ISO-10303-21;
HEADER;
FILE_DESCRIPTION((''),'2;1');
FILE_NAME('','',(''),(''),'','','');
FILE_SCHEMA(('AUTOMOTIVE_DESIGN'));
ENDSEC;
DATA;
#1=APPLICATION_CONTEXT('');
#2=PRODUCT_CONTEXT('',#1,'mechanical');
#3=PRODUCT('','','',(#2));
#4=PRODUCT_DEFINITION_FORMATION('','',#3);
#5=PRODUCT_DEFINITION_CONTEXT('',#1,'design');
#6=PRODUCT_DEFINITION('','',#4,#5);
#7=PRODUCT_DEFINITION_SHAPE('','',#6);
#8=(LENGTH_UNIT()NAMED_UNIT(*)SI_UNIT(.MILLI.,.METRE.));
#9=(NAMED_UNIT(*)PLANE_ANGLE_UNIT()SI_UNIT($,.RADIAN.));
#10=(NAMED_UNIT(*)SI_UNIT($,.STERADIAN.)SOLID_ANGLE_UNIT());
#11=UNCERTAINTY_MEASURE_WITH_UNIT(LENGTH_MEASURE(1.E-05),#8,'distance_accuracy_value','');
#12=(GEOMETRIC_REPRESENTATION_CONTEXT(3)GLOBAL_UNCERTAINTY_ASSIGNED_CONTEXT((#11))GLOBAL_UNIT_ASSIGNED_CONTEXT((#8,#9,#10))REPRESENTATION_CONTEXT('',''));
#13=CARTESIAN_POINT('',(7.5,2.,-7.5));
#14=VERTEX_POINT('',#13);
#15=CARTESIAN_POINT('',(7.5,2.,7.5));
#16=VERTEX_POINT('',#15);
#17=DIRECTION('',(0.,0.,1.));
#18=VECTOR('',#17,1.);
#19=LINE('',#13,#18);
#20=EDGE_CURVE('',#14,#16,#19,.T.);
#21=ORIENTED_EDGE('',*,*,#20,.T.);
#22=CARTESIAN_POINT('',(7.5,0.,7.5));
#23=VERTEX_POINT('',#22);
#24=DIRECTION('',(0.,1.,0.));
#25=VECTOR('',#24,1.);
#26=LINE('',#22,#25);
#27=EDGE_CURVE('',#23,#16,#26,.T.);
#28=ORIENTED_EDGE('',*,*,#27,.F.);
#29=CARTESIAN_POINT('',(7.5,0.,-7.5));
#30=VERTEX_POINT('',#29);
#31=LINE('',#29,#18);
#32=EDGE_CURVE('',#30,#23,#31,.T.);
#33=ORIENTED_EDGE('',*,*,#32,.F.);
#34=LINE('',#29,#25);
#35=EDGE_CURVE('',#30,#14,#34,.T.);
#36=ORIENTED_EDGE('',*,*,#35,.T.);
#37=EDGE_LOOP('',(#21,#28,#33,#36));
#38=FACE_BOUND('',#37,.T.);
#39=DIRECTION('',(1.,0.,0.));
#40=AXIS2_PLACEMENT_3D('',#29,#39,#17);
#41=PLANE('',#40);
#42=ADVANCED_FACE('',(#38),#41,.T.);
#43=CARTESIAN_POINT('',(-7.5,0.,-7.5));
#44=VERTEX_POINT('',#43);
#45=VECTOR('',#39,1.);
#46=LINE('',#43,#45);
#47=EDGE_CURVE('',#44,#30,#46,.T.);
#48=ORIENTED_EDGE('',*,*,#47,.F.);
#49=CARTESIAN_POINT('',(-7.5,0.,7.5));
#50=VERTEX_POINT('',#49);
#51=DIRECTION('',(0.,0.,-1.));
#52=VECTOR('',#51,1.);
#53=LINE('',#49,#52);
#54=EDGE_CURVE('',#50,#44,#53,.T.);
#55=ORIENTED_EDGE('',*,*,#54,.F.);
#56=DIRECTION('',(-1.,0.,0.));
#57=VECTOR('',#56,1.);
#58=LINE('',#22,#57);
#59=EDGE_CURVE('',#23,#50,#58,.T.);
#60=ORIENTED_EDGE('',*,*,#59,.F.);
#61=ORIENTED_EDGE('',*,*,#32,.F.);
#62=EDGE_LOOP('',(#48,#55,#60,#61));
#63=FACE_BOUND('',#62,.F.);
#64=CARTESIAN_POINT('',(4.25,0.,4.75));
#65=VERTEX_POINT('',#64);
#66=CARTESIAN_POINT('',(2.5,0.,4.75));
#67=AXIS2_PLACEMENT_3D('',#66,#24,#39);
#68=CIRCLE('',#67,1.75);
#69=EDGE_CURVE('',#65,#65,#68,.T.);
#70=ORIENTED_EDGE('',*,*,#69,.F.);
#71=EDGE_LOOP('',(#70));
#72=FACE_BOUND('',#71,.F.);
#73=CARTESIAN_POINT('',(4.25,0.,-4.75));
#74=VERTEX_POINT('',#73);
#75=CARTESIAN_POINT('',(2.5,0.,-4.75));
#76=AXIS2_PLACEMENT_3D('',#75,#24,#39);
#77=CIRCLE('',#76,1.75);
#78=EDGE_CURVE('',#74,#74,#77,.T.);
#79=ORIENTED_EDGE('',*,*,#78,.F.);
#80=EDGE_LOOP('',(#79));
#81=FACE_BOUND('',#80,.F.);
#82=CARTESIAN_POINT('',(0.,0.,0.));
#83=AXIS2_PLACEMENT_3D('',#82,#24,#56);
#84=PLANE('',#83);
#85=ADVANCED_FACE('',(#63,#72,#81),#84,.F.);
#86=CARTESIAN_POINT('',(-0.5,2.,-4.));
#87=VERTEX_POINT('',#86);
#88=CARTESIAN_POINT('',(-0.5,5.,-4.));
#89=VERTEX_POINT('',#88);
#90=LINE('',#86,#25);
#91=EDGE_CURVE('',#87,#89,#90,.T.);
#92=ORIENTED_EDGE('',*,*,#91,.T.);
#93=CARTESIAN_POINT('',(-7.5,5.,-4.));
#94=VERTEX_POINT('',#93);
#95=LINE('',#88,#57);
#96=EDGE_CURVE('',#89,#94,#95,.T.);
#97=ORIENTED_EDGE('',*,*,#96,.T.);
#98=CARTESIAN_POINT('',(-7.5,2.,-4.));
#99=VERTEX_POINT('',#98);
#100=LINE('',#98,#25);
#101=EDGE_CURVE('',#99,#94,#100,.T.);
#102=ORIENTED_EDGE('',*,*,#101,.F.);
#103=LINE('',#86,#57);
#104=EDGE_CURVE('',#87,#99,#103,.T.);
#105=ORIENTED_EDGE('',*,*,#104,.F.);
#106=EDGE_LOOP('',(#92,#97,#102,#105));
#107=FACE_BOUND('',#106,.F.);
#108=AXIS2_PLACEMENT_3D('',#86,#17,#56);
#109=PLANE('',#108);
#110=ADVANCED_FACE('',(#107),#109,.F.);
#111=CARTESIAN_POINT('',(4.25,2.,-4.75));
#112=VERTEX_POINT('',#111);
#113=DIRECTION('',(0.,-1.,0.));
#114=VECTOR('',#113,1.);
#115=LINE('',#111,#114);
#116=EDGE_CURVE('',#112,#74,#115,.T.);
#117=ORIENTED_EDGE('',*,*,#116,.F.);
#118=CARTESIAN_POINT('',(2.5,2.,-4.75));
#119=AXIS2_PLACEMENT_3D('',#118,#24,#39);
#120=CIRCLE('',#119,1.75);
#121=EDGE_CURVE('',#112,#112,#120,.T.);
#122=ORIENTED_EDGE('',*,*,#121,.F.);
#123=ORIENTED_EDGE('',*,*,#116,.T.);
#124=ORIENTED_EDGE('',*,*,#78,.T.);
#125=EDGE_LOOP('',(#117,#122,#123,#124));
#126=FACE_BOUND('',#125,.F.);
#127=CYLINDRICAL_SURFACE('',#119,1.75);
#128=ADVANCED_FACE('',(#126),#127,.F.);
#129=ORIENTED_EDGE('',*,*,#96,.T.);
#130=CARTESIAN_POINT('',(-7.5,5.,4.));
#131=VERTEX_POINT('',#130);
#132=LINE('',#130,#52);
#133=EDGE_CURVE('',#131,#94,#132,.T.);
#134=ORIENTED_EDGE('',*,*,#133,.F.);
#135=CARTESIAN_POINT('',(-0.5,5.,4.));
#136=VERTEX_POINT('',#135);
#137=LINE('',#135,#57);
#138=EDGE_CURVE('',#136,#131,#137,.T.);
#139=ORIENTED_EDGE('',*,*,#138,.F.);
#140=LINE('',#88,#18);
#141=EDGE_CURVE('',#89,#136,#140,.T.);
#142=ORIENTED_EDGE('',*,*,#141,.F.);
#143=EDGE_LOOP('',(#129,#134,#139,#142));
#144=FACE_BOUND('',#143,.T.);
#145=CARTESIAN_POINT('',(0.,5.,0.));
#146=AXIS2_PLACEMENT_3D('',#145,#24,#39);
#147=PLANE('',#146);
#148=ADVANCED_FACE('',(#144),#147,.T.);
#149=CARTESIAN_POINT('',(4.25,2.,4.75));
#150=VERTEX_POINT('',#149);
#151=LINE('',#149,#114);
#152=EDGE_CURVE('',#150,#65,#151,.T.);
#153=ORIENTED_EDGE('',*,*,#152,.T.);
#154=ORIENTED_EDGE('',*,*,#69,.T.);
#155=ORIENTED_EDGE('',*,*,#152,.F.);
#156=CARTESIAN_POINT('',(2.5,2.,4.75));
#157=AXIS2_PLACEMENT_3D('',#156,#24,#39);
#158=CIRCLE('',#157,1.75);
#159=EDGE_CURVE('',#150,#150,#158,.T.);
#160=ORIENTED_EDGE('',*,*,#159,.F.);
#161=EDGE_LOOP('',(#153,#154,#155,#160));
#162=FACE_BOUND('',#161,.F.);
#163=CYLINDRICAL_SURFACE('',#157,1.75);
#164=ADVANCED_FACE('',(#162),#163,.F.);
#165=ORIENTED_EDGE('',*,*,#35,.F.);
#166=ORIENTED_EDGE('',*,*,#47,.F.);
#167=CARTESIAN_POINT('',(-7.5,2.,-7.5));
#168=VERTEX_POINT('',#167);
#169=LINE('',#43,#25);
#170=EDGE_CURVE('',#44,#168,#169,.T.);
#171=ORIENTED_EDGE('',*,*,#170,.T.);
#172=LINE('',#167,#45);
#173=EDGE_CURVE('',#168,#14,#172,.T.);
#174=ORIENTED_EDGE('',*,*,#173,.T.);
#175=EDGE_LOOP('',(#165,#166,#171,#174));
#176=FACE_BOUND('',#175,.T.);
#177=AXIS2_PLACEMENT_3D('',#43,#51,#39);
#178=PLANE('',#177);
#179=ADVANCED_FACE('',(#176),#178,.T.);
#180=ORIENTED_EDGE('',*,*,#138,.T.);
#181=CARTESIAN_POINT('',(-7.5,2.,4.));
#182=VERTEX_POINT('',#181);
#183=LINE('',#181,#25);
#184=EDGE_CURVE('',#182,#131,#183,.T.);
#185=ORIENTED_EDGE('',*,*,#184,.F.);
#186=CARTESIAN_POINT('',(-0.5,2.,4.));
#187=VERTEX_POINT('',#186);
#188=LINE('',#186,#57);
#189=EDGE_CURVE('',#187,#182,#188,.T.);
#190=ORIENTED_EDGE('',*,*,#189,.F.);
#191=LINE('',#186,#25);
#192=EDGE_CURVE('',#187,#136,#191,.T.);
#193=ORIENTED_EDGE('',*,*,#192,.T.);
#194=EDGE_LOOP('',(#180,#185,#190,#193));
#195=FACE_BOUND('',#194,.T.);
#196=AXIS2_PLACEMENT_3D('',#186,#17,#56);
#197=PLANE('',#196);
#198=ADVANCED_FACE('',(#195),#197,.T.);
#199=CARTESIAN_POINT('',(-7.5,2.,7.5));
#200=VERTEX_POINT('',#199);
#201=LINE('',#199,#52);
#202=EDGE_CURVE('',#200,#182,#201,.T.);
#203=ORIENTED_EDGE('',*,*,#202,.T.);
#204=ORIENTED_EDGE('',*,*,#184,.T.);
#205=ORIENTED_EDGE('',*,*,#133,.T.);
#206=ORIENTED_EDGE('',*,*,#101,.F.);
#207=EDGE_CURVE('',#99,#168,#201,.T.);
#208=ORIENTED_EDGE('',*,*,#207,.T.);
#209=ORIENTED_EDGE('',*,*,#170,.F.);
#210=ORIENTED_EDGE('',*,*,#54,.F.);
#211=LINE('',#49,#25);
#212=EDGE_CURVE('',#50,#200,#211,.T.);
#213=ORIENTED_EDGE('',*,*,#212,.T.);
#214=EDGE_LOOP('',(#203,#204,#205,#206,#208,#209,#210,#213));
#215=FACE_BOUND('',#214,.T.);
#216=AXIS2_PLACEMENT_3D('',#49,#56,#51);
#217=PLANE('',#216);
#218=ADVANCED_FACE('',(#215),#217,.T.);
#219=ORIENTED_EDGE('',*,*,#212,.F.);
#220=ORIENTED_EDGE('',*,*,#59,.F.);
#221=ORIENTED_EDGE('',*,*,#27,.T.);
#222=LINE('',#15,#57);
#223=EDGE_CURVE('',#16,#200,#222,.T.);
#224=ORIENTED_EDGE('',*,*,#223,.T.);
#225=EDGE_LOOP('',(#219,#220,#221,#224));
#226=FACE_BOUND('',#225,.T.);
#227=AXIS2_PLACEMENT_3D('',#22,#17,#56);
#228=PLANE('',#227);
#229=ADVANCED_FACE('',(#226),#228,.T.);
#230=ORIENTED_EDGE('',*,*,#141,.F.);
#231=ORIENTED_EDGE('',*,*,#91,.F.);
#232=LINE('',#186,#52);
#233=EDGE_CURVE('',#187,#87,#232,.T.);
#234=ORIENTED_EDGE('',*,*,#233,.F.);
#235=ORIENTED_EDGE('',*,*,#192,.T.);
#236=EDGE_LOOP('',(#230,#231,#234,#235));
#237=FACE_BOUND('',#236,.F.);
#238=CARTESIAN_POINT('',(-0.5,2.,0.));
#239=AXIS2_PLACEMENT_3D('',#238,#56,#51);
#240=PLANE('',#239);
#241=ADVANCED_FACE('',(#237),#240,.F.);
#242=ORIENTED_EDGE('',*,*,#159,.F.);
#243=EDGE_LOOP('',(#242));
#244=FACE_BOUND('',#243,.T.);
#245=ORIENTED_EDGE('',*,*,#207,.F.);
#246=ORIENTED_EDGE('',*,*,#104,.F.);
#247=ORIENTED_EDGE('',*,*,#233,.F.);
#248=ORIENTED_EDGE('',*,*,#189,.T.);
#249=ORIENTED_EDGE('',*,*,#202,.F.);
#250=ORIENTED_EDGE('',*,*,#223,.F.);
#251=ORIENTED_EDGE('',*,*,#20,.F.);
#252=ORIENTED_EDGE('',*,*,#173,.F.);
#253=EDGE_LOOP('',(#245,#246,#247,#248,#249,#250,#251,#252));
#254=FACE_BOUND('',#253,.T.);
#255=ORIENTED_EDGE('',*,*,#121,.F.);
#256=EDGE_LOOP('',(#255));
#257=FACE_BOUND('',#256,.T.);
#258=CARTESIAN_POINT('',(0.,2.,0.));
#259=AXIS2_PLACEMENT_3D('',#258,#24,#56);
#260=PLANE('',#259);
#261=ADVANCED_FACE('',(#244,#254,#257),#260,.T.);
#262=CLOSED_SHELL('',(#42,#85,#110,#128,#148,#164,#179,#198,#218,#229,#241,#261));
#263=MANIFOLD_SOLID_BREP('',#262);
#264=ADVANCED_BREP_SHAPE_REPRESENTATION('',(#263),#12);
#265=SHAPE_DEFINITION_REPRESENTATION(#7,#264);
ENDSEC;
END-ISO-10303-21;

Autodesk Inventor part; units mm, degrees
ref_plane "YZ Plane" through (0, 0, 0) normal (1, 0, 0) x (0, 1, 0)
ref_plane "XZ Plane" through (0, 0, 0) normal (0, 1, 0) x (-1, 0, 0)
ref_plane "XY Plane" through (0, 0, 0) normal (0, 0, 1) x (1, 0, 0)
sketch "Sketch1" plane through (0, 0, 0) normal (0, 1, 0) x (-1, 0, 0)
  line L0 (-7.5, 7.5) -> (7.5, 7.5)
  line L1 (7.5, 7.5) -> (7.5, -7.5)
  line L2 (7.5, -7.5) -> (-7.5, -7.5)
  line L3 (-7.5, -7.5) -> (-7.5, 7.5)
  line L4 (-7.5, 7.5) -> (7.5, -7.5) construction
  line L5 (7.5, 7.5) -> (-7.5, -7.5) construction
  point P0 (0, 0)
  dimension "d0" = 15
  dimension "d1" = 15
extrude "Extrusion1" add sketch "Sketch1" along normal blind 2
sketch "Sketch2" plane through (0, 2, 0) normal (0, 1, 0) x (1, 0, 0)
  line L0 (7.5, 7.5) -> (-7.5, 7.5) construction
  line L1 (-7.5, 7.5) -> (-7.5, -7.5) construction
  line L2 (-7.5, -7.5) -> (7.5, -7.5) construction
  line L3 (7.5, -7.5) -> (7.5, 7.5) construction
  line L4 (-7.5, 7.5) -> (-7.5, -7.5) projected
  line L5 (-7.5, 0) -> (-0.5, 0)
  line L6 (-0.5, 0) -> (-0.5, 4)
  line L7 (-0.5, 4) -> (-7.5, 4)
  line L8 (-7.5, 4) -> (-7.5, 0)
  line L9 (-7.5, 0) -> (-0.5, 0) construction
  line L10 (-7.5, 0) -> (-0.5, 0)
  line L11 (-0.5, 0) -> (-0.5, -4)
  line L12 (-0.5, -4) -> (-7.5, -4)
  line L13 (-7.5, -4) -> (-7.5, 0)
  point P0 (0, 0)
  point P1 (-7.5, 4)
  dimension "d4" = 7
  dimension "d5" = 0
  dimension "d6" = 4
  dimension "d7" = 4
extrude "Extrusion2" add sketch "Sketch2" along normal blind 3
sketch "Sketch3" plane through (0, 2, 0) normal (0, 1, 0) x (1, 0, 0)
  line L0 (-0.5, 4) -> (-0.5, -4) construction
  line L1 (7.5, 7.5) -> (-7.5, 7.5) construction
  line L2 (7.5, 4.75) -> (2.5, 4.75) construction
  circle A0 centre (2.5, 4.75) radius 1.75
  line L3 (7.5, -7.5) -> (7.5, 7.5) construction
  line L4 (0, 0) -> (7.5, 0) construction
  line L5 (7.5, -7.5) -> (7.5, 7.5) construction
  circle A1 centre (2.5, -4.75) radius 1.75
  dimension "d10" = 5
  dimension "d11" = 3.5
  dimension "d12" = 2.75
extrude "Extrusion3" cut sketch "Sketch3" against normal through all
equation "\"d7\" = d6"
properties part number "Charger_Port"
